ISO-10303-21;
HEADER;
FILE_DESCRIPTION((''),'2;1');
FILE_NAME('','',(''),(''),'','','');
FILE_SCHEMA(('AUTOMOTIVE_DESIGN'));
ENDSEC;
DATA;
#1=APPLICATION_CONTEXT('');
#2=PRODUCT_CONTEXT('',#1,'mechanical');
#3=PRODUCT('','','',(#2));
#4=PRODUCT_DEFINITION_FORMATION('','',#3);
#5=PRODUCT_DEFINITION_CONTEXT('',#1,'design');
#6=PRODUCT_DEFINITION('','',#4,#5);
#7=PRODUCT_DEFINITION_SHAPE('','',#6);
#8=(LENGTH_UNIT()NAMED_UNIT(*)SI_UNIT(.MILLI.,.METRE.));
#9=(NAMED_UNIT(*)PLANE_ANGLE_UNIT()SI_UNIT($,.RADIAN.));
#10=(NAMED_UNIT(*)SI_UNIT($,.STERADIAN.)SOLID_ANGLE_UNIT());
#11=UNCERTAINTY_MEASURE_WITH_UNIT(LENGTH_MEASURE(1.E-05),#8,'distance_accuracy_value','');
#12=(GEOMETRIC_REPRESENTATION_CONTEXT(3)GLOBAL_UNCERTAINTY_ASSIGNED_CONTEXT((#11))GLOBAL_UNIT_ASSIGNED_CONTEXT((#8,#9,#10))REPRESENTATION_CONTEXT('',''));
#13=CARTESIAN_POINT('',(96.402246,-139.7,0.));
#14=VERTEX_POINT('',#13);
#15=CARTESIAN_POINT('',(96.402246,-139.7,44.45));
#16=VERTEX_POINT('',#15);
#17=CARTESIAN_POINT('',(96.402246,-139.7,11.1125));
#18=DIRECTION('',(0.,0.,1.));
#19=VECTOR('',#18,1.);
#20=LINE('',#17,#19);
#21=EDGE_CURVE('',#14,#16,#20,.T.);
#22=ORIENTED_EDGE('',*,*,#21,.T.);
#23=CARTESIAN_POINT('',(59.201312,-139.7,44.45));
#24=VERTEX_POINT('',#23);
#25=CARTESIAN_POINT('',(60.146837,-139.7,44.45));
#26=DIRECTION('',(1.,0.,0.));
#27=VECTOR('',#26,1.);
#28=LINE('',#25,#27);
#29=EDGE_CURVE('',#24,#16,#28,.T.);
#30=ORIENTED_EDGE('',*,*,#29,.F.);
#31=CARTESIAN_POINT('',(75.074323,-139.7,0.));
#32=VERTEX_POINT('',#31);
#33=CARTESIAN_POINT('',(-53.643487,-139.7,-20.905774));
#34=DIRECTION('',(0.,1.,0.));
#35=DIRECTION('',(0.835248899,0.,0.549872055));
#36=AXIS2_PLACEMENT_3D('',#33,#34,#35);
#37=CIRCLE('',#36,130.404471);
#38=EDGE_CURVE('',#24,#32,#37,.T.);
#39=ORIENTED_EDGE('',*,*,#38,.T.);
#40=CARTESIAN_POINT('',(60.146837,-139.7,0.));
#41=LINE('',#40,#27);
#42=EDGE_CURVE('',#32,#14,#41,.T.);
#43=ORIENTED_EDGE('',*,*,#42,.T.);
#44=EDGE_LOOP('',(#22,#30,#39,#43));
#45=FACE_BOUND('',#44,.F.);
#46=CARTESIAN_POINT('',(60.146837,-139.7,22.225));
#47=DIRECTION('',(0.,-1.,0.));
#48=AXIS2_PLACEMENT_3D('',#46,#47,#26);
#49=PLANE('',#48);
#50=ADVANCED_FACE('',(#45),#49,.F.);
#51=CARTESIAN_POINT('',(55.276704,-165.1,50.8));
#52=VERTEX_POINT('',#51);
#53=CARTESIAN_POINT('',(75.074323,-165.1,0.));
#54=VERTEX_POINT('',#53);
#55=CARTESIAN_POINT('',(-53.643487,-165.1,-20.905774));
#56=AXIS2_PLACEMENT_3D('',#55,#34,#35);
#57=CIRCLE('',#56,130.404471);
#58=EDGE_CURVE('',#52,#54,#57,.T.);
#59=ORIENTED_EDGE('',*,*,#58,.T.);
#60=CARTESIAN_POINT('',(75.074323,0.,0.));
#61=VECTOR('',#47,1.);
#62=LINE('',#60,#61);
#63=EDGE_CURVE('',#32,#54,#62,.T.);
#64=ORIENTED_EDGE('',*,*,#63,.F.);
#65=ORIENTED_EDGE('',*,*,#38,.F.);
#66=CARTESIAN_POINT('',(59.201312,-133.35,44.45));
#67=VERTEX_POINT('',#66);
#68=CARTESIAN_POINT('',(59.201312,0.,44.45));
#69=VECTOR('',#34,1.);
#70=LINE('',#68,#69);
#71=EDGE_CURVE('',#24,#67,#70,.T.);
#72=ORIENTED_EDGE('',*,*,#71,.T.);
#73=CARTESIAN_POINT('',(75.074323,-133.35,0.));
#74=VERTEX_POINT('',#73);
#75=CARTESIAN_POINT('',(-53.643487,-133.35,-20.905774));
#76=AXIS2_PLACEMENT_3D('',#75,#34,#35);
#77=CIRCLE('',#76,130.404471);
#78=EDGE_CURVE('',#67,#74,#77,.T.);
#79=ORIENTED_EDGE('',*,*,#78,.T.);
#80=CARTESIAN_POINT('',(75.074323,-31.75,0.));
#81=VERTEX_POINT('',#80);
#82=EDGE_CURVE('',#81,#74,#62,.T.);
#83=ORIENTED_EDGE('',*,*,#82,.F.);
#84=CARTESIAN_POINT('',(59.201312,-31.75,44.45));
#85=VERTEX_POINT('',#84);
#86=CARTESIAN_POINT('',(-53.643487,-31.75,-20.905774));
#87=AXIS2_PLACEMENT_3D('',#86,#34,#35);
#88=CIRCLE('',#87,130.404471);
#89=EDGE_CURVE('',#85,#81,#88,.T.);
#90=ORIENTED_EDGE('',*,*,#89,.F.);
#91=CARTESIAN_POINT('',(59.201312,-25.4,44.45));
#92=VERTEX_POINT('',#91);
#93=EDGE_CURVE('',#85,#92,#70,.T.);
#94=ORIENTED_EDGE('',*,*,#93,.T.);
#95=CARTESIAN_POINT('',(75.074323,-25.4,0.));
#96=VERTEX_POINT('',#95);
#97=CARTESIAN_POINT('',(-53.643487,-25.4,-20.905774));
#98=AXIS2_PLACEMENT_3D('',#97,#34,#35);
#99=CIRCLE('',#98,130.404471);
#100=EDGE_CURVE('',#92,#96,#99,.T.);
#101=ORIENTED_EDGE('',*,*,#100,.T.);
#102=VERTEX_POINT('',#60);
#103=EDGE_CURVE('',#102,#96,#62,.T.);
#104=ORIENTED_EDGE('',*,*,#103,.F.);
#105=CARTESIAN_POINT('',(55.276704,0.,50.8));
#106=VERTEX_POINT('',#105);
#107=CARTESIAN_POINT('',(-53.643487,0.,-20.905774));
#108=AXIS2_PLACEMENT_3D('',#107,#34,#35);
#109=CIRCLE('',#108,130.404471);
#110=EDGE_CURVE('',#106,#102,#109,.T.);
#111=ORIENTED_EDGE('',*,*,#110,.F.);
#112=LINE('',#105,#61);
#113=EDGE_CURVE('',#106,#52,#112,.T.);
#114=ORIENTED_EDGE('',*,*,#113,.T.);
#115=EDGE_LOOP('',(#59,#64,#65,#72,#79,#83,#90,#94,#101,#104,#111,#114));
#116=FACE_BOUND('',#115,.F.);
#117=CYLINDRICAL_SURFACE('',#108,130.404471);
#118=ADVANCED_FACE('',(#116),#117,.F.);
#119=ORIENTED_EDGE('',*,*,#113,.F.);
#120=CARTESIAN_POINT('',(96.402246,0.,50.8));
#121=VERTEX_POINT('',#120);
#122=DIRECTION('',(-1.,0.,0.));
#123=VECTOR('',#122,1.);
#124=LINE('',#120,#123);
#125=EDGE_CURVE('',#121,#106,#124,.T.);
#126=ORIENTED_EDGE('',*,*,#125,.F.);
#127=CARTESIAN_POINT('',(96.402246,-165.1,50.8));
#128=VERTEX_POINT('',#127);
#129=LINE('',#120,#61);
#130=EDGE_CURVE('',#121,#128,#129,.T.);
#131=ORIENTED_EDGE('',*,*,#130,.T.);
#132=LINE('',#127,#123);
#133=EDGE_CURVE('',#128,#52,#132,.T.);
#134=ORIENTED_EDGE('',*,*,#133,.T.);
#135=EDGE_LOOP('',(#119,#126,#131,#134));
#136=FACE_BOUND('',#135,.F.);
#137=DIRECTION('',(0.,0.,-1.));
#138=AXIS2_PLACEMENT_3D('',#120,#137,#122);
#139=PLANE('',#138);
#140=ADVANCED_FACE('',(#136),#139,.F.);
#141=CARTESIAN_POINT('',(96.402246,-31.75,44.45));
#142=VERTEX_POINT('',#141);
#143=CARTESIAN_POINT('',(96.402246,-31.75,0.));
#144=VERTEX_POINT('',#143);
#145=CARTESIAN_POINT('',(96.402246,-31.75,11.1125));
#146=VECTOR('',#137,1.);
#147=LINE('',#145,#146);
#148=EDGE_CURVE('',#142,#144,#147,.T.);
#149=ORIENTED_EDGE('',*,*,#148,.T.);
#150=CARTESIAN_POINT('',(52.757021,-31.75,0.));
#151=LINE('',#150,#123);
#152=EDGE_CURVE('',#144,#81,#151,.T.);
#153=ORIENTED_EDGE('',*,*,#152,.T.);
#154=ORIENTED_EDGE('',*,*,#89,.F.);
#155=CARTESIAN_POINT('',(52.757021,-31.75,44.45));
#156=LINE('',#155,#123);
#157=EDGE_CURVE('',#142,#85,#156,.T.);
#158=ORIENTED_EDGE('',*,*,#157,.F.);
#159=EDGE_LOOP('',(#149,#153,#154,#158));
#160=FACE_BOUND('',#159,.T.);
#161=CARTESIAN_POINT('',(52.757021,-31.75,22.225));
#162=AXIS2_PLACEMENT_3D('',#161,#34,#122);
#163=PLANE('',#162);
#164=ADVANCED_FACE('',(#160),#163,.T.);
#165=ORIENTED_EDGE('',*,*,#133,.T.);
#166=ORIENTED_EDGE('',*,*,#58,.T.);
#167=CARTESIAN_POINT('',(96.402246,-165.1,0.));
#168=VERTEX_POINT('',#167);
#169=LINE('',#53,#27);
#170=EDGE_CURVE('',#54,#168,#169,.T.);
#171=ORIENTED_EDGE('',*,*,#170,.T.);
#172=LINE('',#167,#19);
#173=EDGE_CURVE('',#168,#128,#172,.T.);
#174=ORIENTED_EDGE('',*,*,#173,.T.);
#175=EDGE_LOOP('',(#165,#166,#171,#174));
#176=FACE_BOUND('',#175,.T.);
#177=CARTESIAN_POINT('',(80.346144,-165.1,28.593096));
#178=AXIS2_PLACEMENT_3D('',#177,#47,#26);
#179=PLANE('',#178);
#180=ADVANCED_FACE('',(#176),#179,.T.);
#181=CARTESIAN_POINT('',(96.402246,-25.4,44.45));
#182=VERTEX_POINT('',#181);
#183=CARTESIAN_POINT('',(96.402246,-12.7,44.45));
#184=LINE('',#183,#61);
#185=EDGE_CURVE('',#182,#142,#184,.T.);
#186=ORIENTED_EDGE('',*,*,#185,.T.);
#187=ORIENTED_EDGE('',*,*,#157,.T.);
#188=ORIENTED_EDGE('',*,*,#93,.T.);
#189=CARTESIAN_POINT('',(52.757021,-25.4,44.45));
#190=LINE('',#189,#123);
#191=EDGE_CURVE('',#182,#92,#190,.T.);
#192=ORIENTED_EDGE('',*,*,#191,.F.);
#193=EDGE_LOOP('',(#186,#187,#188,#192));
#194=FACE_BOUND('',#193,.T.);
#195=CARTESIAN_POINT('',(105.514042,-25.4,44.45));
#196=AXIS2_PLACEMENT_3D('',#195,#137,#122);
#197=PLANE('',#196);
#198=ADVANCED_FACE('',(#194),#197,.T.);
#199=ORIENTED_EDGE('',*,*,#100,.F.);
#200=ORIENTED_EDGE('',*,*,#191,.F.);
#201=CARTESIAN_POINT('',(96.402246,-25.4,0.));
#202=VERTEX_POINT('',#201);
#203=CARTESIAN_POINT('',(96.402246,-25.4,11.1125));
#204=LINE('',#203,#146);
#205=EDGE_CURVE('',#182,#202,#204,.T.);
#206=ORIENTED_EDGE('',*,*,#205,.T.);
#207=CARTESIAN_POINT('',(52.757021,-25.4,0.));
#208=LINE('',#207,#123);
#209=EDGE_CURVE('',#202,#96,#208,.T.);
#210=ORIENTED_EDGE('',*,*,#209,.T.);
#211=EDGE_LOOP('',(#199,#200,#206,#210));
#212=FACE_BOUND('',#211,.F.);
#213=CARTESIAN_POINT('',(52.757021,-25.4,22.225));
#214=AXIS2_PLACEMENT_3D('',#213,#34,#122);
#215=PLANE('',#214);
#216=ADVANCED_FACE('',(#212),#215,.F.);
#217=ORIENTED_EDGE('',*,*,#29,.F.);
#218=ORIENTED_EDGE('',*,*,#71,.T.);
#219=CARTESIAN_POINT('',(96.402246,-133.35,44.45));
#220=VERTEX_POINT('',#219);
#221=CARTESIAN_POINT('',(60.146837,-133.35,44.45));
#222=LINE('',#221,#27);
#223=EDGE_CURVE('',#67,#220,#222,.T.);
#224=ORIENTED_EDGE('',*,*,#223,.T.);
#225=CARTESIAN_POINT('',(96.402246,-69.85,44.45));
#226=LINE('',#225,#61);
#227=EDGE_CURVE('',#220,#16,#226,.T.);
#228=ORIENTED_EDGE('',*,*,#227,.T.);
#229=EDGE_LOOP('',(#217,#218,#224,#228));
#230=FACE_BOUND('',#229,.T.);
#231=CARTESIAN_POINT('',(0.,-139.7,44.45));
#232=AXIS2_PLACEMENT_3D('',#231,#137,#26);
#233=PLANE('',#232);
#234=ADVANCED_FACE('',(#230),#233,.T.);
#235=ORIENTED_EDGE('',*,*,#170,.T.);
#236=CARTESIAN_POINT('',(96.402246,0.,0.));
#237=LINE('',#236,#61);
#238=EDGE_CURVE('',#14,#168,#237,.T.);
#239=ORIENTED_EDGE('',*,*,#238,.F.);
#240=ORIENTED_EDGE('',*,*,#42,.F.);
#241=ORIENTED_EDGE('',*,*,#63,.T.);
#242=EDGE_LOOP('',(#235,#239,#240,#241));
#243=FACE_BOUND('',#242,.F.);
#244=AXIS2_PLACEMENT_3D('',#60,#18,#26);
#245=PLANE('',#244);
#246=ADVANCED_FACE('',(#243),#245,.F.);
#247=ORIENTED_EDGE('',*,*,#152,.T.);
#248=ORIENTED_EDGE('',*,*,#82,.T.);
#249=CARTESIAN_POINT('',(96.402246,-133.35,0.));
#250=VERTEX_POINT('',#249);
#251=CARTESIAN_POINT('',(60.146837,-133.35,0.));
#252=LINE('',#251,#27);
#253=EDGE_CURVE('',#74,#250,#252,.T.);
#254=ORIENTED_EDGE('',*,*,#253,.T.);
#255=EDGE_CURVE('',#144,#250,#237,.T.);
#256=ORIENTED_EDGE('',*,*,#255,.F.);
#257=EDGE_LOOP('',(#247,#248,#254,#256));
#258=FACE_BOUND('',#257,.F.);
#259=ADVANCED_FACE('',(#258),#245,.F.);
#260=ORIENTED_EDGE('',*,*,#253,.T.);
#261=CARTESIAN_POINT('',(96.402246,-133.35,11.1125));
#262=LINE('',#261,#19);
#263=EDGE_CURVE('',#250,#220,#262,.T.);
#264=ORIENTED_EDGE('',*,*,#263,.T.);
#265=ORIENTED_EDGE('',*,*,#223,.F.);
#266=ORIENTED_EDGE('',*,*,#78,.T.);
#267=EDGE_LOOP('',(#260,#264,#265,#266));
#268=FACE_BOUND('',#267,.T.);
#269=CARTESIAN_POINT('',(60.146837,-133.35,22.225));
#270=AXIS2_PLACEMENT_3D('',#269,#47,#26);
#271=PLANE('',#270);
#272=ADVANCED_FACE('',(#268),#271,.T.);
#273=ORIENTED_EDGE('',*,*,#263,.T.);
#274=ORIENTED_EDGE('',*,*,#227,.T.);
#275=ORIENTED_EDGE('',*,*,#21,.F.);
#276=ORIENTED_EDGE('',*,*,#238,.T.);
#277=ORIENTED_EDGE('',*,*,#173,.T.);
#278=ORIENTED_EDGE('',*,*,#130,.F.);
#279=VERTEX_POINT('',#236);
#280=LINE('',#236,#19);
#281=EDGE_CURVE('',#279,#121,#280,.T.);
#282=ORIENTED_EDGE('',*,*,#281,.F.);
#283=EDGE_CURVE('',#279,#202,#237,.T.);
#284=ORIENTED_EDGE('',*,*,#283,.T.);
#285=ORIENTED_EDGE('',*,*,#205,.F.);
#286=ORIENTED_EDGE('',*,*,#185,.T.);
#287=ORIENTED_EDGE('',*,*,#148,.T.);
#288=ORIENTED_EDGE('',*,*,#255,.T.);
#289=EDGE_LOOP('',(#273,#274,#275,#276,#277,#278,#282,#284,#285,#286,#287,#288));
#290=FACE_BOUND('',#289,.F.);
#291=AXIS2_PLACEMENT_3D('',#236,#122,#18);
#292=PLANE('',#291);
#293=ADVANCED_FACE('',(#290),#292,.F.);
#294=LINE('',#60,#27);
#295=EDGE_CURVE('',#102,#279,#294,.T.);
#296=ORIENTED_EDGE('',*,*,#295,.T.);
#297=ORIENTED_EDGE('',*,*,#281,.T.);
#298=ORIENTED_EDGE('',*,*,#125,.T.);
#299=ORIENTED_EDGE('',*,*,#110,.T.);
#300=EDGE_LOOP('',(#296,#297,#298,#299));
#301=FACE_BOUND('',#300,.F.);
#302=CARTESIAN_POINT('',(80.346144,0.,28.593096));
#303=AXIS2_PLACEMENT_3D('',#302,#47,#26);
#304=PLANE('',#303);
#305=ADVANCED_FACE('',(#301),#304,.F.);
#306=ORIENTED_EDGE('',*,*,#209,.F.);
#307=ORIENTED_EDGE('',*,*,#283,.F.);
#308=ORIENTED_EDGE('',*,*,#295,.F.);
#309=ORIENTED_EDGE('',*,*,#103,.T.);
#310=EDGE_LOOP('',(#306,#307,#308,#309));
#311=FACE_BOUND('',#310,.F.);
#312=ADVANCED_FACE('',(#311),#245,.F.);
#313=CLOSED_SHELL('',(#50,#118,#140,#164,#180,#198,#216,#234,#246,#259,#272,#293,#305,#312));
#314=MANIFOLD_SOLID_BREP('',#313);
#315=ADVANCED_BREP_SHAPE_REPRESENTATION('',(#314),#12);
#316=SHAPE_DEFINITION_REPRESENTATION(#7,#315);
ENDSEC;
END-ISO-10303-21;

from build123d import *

# Parameters (mm, degrees)
F1_DEPTH = 165.1
F3_W     = 120.2936734515
F3_H     = 44.45
F4_DEPTH = 6.35
F6_W     = 105.5140421895
F6_H     = 44.45
F7_DEPTH = 6.35


with BuildPart() as f1:
    # F0 (on Front) → F1 (new body)
    with BuildSketch(Plane.XZ):
        with BuildLine():
            ThreePointArc((55.2767035972, 50.8), (67.8600718832, 26.4462179087), (75.0743229112, 0))
            Line((75.0743229112, 0), (96.4022464211, 0))
            Line((96.4022464211, 0), (96.4022464211, 50.8))
            Line((96.4022464211, 50.8), (55.2767035972, 50.8))
        make_face()
    extrude(amount=F1_DEPTH)

    # F3 (on offset) → F4 (cut)
    with BuildSketch(Plane.XZ.offset(139.7)):
        with Locations((60.1468367257, 22.225)):
            Rectangle(F3_W, F3_H)
    extrude(amount=-F4_DEPTH, mode=Mode.SUBTRACT)

    # F6 (on offset) → F7 (cut)
    with BuildSketch(Plane(origin=(0, -25.4, 0), x_dir=(-1, 0, 0), z_dir=(0, 1, 0))):
        with Locations((-52.7570210947, 22.225)):
            Rectangle(F6_W, F6_H)
    extrude(amount=-F7_DEPTH, mode=Mode.SUBTRACT)


solid = f1.part
